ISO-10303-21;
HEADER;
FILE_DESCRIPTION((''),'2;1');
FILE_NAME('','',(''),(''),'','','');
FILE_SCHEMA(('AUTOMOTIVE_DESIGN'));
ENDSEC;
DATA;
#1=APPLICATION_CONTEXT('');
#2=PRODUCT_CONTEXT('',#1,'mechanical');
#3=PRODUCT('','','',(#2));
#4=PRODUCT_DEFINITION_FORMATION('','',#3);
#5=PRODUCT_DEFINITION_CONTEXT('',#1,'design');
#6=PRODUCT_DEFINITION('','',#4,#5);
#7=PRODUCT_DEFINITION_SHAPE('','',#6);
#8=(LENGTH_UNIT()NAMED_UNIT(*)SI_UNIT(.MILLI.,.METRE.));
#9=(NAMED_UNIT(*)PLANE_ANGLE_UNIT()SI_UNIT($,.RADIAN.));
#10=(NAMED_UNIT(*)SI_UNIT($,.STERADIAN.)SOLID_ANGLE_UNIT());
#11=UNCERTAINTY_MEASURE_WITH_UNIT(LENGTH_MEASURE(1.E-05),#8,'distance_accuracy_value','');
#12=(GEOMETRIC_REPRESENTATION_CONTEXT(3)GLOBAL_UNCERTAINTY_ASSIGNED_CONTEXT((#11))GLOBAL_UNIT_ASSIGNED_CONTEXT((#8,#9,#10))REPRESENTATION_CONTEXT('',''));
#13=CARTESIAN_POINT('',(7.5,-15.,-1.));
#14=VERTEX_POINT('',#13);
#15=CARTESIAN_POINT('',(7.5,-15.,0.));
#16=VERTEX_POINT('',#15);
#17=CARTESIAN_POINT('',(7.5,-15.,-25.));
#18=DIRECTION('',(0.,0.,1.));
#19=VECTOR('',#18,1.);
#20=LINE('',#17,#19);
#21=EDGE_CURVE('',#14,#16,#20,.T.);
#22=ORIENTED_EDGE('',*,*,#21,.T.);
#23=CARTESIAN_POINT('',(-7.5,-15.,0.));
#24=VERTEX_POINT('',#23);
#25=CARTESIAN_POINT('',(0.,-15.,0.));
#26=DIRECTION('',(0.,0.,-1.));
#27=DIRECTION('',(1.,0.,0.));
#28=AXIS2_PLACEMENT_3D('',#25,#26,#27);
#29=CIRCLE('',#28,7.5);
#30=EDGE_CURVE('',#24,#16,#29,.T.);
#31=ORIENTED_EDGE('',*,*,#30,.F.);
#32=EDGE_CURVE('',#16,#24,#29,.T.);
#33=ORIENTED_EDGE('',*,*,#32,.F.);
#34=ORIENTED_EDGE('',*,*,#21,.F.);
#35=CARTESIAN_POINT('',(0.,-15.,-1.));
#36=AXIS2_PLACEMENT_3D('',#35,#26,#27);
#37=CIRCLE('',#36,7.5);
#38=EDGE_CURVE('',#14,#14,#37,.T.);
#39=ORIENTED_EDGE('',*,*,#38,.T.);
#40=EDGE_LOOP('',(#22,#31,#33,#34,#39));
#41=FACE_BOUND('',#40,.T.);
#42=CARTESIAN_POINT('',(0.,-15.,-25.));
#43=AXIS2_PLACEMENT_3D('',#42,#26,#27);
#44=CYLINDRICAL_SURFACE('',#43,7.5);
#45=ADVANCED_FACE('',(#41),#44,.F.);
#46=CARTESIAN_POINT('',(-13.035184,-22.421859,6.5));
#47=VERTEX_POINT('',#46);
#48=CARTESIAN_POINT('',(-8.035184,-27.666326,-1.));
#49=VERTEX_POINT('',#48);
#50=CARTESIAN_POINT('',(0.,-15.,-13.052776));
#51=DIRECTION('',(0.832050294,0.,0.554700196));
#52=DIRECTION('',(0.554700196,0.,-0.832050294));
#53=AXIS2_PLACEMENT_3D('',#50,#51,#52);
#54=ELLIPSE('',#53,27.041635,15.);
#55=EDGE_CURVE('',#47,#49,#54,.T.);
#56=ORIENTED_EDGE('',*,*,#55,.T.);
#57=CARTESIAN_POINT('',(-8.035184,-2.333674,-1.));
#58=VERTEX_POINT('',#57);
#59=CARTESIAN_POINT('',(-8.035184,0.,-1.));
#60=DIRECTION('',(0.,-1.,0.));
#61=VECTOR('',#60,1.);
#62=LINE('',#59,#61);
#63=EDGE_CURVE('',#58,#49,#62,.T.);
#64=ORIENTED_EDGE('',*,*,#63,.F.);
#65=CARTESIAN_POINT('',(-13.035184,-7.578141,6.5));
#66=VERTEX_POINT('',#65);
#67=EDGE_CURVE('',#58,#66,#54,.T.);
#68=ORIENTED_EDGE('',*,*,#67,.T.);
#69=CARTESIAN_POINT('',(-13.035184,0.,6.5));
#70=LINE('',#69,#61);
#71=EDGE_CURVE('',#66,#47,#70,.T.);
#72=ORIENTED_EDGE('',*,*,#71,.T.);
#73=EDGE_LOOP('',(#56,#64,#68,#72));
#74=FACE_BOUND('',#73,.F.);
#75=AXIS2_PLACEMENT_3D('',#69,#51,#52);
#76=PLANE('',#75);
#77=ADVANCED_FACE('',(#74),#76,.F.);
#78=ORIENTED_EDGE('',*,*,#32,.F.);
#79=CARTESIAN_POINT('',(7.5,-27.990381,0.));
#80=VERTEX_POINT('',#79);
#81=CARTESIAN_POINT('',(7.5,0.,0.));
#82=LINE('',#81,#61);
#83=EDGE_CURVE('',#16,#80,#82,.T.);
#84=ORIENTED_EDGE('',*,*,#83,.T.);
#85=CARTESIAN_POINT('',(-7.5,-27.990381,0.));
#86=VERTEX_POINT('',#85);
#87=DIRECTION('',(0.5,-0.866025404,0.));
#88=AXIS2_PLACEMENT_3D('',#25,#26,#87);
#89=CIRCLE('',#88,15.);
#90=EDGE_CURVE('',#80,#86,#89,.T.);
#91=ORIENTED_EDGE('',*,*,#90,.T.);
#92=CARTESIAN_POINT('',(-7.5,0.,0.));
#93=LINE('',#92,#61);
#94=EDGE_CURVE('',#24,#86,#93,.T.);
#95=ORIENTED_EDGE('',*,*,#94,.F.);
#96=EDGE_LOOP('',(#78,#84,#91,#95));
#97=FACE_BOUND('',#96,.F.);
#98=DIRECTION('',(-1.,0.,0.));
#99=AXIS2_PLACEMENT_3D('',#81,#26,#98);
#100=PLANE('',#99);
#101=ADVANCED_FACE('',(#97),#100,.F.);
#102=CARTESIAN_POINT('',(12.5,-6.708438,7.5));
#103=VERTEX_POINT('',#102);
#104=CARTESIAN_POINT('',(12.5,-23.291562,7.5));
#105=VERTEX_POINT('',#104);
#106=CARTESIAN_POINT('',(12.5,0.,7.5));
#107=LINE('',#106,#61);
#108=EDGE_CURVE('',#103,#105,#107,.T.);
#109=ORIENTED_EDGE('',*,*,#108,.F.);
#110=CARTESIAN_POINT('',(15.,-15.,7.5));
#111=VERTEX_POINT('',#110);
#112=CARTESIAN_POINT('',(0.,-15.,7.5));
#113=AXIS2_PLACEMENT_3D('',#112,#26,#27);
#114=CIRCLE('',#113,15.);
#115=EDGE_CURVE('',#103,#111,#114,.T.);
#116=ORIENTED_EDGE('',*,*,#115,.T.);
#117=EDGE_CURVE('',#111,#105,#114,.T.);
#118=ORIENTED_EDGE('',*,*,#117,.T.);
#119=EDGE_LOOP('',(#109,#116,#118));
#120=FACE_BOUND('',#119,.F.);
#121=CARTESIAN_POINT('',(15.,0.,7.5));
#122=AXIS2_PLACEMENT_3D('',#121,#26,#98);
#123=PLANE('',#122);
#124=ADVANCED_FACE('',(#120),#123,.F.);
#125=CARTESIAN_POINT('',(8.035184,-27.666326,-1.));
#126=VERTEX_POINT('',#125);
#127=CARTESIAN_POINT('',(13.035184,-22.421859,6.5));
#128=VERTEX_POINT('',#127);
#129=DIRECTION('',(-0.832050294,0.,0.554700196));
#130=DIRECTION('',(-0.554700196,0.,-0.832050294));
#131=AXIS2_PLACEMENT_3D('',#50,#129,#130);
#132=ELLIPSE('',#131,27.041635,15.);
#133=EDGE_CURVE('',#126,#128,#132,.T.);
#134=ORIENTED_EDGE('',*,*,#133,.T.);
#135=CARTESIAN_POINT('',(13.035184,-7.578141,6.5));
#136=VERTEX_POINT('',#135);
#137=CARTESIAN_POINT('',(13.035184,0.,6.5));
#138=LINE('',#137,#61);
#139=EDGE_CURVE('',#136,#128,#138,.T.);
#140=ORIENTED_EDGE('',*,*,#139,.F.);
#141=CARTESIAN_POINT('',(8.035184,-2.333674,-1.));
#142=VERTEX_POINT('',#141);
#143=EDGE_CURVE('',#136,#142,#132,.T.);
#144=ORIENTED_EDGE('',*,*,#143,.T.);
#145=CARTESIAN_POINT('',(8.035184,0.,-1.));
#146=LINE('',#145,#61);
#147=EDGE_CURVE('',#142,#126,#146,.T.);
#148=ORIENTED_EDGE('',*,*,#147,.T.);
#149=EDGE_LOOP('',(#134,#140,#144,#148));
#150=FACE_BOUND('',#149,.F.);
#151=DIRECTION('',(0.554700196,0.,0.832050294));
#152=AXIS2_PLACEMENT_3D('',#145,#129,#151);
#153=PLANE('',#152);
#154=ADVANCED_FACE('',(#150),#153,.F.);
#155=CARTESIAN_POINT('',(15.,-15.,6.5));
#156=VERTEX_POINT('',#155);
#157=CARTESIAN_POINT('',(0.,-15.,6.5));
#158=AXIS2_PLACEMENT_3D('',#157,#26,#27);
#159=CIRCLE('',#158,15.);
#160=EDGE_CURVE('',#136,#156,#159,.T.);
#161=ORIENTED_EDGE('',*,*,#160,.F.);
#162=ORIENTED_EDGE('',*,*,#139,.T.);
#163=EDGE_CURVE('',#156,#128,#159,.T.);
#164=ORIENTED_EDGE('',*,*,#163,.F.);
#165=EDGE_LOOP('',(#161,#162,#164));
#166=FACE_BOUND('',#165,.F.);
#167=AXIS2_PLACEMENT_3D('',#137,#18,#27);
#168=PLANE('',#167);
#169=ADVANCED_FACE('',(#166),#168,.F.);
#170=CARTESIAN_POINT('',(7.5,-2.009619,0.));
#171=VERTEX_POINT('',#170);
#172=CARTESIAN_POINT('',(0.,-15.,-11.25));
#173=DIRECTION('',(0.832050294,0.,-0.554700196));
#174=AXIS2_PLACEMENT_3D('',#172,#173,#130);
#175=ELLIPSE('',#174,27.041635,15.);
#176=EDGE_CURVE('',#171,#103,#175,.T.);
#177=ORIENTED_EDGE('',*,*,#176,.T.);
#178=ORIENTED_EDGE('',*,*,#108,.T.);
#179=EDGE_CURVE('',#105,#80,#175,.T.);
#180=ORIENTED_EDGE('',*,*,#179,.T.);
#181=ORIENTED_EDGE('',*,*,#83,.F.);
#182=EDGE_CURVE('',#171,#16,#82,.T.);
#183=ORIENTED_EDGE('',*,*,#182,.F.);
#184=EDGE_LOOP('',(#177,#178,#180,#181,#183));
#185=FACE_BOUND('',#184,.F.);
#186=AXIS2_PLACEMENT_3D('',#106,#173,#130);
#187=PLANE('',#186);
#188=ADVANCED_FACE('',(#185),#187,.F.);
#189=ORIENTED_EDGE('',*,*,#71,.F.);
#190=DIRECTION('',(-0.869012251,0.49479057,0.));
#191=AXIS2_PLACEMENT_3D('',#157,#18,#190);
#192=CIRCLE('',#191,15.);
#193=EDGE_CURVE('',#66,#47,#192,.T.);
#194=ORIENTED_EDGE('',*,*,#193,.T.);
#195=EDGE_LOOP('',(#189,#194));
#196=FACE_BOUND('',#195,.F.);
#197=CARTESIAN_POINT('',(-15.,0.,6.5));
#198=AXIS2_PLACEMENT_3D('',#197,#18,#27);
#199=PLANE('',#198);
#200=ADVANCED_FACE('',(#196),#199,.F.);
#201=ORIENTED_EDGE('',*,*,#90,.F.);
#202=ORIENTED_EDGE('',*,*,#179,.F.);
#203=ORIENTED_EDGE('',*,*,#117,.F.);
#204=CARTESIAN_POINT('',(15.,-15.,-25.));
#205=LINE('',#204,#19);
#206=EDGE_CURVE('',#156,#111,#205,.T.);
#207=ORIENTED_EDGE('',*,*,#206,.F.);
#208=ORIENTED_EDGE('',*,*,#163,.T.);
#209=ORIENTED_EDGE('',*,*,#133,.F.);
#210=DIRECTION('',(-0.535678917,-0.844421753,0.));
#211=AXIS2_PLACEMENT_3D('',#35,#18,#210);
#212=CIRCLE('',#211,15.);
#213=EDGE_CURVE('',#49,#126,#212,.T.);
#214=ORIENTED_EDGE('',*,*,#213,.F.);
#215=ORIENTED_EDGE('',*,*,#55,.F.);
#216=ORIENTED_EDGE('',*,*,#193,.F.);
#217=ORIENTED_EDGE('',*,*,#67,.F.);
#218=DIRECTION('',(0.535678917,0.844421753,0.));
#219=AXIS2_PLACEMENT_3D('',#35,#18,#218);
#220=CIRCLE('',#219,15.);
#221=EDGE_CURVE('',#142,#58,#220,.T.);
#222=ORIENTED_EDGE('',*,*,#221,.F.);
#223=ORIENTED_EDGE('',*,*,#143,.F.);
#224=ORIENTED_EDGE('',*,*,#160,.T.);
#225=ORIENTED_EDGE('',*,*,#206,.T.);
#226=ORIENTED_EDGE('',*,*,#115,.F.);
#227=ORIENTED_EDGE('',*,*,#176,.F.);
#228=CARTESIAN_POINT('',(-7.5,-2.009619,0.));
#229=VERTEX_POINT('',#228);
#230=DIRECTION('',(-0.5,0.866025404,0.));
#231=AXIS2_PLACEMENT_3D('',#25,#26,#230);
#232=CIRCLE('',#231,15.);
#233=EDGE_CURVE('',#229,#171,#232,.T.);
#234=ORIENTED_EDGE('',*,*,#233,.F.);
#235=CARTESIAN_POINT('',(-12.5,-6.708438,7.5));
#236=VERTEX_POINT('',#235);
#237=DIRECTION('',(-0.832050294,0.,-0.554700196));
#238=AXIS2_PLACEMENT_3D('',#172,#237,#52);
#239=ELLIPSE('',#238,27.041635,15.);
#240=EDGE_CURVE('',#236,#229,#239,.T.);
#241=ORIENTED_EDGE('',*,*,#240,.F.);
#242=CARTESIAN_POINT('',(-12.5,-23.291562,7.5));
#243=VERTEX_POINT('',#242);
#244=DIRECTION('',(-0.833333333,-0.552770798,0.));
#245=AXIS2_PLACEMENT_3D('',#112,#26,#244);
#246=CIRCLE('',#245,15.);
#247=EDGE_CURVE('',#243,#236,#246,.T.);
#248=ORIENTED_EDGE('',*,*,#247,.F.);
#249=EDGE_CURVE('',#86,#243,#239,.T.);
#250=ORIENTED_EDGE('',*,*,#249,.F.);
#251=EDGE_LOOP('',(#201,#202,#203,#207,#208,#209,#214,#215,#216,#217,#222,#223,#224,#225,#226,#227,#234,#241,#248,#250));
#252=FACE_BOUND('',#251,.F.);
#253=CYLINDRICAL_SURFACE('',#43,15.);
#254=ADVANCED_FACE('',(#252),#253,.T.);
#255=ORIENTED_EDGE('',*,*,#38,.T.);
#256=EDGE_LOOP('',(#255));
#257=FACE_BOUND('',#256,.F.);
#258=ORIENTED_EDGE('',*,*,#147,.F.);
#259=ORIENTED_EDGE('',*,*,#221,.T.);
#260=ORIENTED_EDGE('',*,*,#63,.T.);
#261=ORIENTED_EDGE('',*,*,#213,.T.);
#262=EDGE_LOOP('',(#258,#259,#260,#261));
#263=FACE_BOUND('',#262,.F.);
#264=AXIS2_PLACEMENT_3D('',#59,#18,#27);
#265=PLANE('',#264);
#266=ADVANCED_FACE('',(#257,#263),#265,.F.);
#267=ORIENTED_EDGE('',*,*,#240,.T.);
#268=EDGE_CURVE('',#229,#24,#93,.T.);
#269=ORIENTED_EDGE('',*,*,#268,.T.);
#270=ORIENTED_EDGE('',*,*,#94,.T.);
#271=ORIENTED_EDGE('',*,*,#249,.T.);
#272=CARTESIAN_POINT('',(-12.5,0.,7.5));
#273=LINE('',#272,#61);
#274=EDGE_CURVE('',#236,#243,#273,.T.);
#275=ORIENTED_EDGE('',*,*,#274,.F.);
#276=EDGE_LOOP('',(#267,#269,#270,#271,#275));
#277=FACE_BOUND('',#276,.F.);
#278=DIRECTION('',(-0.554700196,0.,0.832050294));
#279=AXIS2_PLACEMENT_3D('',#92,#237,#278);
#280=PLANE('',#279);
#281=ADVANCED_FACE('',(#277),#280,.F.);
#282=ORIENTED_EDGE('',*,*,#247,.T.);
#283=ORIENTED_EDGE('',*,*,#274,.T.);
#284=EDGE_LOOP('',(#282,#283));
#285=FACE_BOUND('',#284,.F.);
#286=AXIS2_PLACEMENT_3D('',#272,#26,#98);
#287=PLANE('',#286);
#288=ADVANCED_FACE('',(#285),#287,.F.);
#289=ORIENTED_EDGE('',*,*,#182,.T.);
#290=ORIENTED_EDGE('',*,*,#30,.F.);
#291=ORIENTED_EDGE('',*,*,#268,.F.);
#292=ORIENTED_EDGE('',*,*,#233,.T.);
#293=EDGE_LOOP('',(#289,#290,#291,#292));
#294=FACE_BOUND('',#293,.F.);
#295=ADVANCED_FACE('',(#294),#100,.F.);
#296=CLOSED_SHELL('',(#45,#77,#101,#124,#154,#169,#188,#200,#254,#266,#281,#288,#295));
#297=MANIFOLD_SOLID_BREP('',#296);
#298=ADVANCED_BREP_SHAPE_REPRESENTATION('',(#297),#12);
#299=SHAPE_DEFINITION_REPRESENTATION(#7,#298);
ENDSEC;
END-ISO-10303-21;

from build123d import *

# Parameters (mm, degrees)
F1_DEPTH = 30
F3_START = -25
F2_R     = 15
F2_R_2   = 7.5
F3_DEPTH = 32.501


with BuildPart() as f1:
    # F0 (on Front) → F1 (new body)
    with BuildSketch(Plane.XZ):
        Polygon((0, -1), (0, 0), (-7.5, 0), (-12.5, 7.5), (-15, 7.5), (-15, 6.5), (-13.0351837585, 6.5), (-8.0351837585, -1), align=None)
        Polygon((7.5, 0), (0, 0), (0, -1), (8.0351837585, -1), (13.0351837585, 6.5), (15, 6.5), (15, 7.5), (12.5, 7.5), align=None)
    extrude(amount=F1_DEPTH)

    # F2 (on Top) → F3 (intersect)
    with BuildSketch(Plane.XY.offset(F3_START)):
        with Locations((0, -15)):
            Circle(F2_R)
        with Locations((0, -15)):
            Circle(F2_R_2, mode=Mode.SUBTRACT)
    extrude(amount=F3_DEPTH, mode=Mode.INTERSECT)


solid = f1.part
